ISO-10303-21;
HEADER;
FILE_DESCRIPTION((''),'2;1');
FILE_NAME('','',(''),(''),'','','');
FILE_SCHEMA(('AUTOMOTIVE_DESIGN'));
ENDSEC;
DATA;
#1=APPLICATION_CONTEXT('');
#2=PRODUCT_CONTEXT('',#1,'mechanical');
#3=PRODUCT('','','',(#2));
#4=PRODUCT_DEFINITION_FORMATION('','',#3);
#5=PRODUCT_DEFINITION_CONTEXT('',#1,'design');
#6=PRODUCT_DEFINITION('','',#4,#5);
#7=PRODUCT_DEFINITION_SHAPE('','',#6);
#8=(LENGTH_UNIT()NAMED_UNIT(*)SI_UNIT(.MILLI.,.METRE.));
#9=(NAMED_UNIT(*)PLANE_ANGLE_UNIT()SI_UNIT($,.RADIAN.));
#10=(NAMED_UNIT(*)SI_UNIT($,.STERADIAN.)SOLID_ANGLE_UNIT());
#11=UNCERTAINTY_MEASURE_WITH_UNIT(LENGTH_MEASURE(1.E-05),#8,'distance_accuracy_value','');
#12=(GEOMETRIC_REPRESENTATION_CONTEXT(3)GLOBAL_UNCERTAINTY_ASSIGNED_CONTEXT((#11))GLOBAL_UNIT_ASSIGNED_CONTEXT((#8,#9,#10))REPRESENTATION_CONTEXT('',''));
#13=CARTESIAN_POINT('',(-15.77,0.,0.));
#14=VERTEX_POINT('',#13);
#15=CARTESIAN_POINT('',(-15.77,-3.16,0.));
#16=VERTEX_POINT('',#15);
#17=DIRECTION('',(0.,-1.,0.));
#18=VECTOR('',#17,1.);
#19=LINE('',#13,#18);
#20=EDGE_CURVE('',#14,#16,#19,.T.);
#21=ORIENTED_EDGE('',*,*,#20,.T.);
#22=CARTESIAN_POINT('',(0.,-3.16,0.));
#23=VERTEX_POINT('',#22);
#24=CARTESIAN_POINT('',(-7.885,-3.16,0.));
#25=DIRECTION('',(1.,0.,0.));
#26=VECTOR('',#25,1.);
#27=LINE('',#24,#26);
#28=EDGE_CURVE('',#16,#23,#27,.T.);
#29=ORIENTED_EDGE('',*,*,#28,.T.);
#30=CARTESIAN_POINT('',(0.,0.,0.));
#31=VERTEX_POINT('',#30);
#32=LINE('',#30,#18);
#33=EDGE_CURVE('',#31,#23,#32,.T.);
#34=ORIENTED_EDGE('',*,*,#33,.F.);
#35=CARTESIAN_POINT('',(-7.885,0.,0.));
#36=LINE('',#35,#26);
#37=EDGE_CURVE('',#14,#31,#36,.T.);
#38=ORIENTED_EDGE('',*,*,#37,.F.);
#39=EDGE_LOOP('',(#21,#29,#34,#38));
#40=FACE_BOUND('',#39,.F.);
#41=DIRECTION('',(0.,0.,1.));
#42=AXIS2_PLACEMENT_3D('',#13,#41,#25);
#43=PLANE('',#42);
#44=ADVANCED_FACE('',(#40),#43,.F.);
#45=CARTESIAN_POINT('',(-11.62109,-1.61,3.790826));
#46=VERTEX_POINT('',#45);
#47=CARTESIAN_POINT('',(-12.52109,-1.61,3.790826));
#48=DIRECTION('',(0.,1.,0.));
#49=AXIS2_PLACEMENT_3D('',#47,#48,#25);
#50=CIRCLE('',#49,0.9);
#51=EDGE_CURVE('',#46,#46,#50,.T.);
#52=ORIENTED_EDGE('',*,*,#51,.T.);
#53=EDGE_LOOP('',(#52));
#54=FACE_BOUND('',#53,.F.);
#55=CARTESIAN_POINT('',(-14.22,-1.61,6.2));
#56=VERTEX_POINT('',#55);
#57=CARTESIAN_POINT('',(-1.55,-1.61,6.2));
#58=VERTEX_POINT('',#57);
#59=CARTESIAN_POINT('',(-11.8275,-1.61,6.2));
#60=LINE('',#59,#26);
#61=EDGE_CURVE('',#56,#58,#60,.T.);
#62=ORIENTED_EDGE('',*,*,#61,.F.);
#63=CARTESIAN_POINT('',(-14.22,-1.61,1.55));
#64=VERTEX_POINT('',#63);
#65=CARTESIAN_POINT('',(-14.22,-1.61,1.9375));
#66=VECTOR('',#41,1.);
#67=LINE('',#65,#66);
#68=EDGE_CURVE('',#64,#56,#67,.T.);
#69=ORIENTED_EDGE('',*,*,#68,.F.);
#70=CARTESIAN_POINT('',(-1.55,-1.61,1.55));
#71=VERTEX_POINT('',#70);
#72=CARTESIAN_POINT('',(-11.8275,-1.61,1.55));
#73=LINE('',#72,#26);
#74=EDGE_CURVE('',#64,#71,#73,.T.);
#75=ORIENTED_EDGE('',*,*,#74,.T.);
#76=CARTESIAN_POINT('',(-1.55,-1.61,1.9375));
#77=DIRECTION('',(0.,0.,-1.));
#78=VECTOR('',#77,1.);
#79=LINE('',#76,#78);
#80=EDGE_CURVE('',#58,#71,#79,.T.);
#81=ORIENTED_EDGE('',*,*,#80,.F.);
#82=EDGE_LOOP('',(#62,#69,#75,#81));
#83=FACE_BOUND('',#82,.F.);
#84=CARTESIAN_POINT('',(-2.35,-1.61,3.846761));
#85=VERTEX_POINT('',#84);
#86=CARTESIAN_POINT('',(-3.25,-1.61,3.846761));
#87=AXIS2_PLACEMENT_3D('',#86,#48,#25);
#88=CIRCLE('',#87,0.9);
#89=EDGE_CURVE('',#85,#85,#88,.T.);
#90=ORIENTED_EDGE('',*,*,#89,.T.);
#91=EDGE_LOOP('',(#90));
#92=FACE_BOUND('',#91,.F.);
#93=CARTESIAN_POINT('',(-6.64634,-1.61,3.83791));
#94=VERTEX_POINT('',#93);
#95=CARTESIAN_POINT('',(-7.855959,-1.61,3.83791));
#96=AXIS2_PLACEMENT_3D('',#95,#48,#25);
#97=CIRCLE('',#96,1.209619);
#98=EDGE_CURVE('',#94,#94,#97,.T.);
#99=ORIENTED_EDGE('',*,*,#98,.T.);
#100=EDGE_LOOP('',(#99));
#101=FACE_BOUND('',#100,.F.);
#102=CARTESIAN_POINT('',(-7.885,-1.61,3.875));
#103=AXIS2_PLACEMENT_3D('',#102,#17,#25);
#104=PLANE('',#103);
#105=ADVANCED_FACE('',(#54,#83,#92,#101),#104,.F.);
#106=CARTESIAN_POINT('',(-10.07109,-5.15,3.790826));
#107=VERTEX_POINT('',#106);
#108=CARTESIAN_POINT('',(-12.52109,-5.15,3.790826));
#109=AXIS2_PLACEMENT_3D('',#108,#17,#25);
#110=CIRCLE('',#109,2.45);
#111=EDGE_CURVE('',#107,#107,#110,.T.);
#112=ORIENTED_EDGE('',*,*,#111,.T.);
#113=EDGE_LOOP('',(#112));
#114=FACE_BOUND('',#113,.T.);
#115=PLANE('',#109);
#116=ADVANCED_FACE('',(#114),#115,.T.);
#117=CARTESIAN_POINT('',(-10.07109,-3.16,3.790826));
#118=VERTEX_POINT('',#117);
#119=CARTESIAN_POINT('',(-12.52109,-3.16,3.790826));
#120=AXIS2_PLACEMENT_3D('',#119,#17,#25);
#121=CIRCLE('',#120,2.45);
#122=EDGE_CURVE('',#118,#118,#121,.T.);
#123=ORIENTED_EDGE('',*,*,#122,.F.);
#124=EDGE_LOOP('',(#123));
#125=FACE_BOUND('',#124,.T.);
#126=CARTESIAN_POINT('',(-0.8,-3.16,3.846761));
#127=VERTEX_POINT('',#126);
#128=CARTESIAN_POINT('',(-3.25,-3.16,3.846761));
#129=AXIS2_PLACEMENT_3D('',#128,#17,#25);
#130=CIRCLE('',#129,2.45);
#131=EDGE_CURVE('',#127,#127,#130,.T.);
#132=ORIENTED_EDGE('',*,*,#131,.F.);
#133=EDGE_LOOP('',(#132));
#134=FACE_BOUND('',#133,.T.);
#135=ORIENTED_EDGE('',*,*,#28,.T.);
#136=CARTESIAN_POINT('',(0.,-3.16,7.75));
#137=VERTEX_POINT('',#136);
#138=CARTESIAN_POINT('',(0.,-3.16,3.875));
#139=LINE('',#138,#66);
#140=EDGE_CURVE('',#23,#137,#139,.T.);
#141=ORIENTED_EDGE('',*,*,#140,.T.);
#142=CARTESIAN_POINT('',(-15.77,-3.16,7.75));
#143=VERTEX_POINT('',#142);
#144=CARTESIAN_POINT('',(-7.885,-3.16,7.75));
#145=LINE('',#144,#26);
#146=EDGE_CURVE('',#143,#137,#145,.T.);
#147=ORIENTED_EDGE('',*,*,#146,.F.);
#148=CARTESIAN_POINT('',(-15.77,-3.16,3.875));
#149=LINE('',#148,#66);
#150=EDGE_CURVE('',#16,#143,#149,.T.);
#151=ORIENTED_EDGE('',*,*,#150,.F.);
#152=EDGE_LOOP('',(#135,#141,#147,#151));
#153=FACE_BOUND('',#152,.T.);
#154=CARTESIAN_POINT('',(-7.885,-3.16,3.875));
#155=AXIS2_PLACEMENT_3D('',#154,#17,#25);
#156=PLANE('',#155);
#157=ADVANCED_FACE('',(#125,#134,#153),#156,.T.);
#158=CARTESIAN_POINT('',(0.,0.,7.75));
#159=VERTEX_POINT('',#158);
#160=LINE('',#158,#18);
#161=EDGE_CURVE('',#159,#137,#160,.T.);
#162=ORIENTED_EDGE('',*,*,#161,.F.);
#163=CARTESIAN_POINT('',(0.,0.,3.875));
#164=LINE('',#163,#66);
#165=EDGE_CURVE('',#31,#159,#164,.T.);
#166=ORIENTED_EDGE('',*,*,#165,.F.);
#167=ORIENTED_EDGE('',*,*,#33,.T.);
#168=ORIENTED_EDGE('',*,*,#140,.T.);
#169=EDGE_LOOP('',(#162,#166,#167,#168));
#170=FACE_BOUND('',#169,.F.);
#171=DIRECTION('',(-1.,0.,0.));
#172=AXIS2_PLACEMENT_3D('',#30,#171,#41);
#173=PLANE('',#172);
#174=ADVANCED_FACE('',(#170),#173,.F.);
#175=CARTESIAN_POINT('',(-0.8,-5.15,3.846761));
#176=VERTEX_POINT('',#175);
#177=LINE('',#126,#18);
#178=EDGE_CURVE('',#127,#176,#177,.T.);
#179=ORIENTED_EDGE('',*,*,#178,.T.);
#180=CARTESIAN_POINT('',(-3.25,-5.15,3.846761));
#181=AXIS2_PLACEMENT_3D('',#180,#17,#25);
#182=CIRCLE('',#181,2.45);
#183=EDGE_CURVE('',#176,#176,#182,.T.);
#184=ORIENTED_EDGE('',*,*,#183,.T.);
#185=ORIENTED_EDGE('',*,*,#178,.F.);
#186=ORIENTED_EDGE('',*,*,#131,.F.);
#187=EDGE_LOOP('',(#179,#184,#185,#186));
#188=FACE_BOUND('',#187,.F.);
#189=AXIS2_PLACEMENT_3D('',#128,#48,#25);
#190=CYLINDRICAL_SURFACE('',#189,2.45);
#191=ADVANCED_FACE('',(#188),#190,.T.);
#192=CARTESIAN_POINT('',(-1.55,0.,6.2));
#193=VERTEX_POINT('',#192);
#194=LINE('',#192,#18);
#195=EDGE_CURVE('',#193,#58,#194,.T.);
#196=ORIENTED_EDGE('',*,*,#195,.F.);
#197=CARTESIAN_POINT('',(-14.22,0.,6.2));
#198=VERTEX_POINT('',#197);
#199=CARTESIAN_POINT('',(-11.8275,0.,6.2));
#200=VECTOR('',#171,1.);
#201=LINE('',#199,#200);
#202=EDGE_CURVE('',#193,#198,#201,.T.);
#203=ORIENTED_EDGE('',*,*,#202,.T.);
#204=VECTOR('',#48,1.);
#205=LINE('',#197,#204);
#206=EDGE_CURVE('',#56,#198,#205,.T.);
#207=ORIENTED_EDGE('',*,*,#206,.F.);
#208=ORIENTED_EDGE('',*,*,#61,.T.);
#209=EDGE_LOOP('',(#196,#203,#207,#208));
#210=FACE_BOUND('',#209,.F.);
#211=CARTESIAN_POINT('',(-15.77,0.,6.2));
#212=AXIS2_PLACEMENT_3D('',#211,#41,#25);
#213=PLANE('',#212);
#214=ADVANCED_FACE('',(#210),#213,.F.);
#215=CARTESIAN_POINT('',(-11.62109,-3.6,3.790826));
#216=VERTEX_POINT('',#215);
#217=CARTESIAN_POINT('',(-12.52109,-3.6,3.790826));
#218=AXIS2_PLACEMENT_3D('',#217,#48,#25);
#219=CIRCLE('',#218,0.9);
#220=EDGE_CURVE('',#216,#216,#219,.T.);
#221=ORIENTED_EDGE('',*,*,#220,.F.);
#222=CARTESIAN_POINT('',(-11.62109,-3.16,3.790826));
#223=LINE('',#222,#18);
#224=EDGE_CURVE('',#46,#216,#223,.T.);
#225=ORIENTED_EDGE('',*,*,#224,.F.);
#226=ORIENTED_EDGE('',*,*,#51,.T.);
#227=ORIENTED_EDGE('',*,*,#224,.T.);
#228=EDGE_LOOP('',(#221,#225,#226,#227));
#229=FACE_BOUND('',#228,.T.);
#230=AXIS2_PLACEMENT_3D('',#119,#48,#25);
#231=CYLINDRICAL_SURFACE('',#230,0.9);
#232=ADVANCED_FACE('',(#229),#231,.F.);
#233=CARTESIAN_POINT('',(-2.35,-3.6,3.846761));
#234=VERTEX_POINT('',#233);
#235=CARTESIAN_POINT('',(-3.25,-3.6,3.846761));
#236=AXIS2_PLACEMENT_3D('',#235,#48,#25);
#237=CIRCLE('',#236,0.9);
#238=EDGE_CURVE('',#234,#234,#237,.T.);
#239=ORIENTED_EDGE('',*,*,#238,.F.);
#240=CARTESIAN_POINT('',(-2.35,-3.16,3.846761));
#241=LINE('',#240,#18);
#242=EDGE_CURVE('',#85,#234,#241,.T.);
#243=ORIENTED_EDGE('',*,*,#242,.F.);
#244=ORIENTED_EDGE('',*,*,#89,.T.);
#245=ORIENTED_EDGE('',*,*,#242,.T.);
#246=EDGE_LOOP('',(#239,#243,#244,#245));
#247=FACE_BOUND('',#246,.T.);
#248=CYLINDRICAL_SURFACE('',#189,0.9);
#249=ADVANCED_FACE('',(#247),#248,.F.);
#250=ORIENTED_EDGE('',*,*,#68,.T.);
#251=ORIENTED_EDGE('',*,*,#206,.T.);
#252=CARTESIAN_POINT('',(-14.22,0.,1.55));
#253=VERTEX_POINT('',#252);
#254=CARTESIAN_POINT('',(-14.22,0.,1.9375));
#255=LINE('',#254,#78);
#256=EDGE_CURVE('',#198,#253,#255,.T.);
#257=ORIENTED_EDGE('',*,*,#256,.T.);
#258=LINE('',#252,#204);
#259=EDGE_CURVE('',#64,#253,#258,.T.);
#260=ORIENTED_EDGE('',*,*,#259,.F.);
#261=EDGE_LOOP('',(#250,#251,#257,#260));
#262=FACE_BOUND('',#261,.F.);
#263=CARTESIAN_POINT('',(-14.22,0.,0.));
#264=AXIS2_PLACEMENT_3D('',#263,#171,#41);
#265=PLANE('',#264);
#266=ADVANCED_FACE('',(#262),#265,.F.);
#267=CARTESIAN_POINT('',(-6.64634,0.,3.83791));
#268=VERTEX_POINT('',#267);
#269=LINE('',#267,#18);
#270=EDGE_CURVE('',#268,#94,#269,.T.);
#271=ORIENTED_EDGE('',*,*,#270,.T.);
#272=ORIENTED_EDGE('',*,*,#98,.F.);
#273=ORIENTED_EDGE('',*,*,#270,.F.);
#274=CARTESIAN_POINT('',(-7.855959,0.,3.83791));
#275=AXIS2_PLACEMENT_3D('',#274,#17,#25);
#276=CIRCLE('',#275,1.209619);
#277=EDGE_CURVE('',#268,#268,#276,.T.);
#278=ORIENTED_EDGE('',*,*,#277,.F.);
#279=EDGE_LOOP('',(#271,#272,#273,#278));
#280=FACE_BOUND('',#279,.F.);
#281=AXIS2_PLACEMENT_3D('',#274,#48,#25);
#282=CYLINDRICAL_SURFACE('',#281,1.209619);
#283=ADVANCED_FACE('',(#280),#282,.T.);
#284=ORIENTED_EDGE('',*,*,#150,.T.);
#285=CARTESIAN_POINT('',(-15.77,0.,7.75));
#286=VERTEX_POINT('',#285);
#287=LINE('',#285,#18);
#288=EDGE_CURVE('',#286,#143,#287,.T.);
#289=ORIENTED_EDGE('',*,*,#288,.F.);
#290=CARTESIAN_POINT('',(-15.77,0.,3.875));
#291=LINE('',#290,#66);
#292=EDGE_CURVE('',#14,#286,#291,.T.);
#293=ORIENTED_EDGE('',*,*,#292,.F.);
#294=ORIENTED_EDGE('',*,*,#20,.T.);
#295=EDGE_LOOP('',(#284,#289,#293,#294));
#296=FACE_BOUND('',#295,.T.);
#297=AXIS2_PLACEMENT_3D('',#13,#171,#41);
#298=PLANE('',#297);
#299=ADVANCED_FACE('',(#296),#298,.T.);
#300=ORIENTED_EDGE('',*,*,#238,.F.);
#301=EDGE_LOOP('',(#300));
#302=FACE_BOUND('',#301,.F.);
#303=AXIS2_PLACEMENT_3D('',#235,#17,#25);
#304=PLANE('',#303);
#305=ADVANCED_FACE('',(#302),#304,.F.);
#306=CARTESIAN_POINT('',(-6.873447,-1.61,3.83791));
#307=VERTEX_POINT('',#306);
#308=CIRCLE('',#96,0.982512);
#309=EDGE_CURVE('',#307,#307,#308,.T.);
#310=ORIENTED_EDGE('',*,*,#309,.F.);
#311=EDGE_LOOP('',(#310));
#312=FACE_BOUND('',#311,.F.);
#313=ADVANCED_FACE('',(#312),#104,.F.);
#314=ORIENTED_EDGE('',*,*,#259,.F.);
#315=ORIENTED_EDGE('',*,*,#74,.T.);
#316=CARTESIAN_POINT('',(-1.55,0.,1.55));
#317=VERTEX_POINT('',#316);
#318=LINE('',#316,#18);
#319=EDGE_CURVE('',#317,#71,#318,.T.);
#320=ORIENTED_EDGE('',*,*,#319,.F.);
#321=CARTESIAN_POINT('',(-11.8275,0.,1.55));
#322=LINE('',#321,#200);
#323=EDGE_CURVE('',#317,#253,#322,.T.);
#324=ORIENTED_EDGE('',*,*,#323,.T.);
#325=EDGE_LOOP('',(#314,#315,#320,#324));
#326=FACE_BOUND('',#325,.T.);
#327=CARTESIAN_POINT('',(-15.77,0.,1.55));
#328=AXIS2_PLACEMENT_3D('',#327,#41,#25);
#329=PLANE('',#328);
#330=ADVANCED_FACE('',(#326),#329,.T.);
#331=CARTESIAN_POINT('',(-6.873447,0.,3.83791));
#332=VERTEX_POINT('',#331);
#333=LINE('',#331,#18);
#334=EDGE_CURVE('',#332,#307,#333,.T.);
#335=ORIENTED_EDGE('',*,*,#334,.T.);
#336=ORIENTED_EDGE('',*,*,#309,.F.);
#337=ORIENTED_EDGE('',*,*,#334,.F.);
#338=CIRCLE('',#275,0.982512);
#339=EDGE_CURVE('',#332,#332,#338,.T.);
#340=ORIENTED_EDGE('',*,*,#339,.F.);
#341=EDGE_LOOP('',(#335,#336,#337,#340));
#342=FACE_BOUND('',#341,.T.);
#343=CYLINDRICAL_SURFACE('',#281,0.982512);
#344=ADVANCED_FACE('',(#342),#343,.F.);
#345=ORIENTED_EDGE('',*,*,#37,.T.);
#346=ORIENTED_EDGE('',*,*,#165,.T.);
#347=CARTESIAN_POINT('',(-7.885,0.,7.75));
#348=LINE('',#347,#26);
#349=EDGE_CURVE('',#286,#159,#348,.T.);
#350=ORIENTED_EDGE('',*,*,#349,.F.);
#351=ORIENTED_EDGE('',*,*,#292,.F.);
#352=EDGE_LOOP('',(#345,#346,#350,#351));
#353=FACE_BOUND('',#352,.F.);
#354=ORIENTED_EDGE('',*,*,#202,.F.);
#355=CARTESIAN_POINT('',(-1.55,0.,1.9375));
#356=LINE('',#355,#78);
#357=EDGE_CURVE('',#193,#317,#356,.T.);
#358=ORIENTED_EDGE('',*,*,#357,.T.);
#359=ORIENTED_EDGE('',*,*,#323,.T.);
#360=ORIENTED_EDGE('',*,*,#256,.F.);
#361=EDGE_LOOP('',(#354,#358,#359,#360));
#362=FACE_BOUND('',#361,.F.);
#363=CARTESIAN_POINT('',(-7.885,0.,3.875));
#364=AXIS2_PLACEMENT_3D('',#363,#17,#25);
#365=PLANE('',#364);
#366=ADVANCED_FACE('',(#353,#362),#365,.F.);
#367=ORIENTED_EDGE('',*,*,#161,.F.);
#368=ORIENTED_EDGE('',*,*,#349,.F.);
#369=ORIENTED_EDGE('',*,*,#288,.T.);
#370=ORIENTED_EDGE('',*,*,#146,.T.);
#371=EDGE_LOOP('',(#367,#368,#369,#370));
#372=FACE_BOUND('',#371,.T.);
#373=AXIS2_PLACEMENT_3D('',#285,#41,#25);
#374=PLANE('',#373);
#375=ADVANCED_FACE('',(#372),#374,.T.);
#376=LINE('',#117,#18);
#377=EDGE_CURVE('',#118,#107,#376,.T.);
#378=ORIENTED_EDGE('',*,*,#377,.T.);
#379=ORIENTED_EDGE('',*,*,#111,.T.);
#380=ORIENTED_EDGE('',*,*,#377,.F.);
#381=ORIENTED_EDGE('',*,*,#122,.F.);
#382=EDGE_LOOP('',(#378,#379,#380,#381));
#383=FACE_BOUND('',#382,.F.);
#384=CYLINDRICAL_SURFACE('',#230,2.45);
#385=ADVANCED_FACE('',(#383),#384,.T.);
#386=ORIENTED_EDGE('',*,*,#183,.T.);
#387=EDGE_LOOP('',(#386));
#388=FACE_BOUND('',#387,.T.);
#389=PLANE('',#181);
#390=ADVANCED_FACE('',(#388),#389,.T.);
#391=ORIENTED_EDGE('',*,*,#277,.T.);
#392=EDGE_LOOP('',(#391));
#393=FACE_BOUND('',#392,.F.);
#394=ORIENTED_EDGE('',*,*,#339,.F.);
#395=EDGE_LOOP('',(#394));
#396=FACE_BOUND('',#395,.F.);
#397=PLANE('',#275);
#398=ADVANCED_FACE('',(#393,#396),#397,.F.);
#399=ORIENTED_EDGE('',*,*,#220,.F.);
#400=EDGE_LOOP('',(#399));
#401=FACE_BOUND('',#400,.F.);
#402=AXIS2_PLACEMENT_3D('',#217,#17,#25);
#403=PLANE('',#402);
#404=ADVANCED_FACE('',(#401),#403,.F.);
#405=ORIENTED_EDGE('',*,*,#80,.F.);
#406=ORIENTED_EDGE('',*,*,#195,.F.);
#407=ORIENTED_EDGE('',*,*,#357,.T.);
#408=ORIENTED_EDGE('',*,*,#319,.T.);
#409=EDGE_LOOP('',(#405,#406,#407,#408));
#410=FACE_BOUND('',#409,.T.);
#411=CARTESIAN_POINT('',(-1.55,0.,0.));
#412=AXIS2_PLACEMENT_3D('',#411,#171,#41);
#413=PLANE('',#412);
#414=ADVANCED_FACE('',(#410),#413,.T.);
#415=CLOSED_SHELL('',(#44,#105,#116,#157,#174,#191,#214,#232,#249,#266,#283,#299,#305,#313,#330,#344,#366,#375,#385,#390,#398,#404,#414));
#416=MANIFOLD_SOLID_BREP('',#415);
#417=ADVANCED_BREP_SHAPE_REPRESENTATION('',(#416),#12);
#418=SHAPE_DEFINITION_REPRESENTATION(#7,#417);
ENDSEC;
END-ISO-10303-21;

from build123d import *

# Parameters (mm, degrees)
F0_W     = 15.77
F0_H     = 7.75
F1_DEPTH = 3.16
F2_R     = 2.45
F3_DEPTH = 1.99
F4_T     = -1.55
F5_R     = 1.2096188734
F5_R_2   = 0.9825120615
F6_DEPTH = 2


with BuildPart() as f1:
    # F0 (on Front) → F1 (new body)
    with BuildSketch(Plane.XZ):
        with Locations((-7.885, 3.875)):
            Rectangle(F0_W, F0_H)
    extrude(amount=F1_DEPTH)

    # F2 (on face) → F3 (join)
    with BuildSketch(Plane.XZ.offset(3.16)):
        with Locations((-12.5210902126, 3.7908264088)):
            Circle(F2_R)
        with Locations((-3.25, 3.8467605594)):
            Circle(F2_R)
    extrude(amount=F3_DEPTH)

    # F4
    f4_openings = [f1.faces().sort_by_distance(p)[0] for p in [
        (-7.885, 0, 3.875),
    ]]
    offset(amount=F4_T, openings=f4_openings, kind=Kind.INTERSECTION)

    # F5 (on Front) → F6 (join)
    with BuildSketch(Plane.XZ):
        with Locations((-7.8559592366, 3.8379097823)):
            Circle(F5_R)
        with Locations((-7.8559592366, 3.8379097823)):
            Circle(F5_R_2, mode=Mode.SUBTRACT)
    extrude(amount=F6_DEPTH)


solid = f1.part
